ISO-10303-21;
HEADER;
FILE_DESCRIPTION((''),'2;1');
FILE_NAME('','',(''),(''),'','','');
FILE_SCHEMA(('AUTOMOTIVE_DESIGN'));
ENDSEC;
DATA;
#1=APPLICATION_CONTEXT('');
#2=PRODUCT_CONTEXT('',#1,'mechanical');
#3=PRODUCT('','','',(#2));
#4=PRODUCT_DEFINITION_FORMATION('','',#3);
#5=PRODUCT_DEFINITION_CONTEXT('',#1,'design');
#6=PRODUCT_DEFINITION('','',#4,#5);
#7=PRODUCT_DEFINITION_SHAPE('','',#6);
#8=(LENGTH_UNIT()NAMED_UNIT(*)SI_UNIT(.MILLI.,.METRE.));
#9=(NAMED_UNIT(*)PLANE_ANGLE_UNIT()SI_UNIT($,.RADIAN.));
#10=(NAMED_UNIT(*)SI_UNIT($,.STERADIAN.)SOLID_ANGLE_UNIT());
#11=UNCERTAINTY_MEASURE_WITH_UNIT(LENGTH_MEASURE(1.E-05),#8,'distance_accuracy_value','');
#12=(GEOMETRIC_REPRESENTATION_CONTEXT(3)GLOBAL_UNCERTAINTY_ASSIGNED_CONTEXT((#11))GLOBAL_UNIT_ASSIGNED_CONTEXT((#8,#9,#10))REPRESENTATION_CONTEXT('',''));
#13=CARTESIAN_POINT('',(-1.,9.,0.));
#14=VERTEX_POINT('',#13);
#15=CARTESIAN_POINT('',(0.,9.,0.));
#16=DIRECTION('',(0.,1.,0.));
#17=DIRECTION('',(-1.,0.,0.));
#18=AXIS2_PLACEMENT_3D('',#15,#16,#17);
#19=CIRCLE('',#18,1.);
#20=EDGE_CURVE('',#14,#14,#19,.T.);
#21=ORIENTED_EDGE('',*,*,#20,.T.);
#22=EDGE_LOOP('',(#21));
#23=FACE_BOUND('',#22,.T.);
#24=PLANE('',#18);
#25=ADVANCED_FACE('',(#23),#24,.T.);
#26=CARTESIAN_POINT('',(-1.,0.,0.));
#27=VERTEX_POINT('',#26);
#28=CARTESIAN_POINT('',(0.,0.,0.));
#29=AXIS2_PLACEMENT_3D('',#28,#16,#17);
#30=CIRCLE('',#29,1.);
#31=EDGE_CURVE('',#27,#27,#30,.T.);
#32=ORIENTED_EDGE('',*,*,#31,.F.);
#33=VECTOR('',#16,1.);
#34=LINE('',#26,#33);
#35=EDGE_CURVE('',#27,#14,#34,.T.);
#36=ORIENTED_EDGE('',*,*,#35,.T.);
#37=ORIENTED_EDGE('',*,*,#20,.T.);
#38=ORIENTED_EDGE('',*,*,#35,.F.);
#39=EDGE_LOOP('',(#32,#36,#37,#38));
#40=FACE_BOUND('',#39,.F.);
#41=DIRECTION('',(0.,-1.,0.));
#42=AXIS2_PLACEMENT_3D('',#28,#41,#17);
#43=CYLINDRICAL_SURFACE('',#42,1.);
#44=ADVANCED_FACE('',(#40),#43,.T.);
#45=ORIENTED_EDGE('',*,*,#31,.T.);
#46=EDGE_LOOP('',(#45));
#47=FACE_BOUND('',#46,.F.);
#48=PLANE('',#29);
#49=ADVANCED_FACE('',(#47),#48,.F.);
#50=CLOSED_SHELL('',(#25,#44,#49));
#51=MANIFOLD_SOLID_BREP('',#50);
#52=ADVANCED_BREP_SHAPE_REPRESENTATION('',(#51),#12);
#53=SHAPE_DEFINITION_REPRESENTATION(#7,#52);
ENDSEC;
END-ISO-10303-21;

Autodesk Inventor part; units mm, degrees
ref_plane "YZ Plane" through (0, 0, 0) normal (1, 0, 0) x (0, 1, 0)
ref_plane "XZ Plane" through (0, 0, 0) normal (0, 1, 0) x (-1, 0, 0)
ref_plane "XY Plane" through (0, 0, 0) normal (0, 0, 1) x (1, 0, 0)
sketch "草圖1" plane through (0, 0, 0) normal (0, 1, 0) x (-1, 0, 0)
  circle A0 centre (0, 0) radius 1
  dimension "d0" = 2
extrude "擠出1" add sketch "草圖1" along normal blind 9
properties part number "銷9"
